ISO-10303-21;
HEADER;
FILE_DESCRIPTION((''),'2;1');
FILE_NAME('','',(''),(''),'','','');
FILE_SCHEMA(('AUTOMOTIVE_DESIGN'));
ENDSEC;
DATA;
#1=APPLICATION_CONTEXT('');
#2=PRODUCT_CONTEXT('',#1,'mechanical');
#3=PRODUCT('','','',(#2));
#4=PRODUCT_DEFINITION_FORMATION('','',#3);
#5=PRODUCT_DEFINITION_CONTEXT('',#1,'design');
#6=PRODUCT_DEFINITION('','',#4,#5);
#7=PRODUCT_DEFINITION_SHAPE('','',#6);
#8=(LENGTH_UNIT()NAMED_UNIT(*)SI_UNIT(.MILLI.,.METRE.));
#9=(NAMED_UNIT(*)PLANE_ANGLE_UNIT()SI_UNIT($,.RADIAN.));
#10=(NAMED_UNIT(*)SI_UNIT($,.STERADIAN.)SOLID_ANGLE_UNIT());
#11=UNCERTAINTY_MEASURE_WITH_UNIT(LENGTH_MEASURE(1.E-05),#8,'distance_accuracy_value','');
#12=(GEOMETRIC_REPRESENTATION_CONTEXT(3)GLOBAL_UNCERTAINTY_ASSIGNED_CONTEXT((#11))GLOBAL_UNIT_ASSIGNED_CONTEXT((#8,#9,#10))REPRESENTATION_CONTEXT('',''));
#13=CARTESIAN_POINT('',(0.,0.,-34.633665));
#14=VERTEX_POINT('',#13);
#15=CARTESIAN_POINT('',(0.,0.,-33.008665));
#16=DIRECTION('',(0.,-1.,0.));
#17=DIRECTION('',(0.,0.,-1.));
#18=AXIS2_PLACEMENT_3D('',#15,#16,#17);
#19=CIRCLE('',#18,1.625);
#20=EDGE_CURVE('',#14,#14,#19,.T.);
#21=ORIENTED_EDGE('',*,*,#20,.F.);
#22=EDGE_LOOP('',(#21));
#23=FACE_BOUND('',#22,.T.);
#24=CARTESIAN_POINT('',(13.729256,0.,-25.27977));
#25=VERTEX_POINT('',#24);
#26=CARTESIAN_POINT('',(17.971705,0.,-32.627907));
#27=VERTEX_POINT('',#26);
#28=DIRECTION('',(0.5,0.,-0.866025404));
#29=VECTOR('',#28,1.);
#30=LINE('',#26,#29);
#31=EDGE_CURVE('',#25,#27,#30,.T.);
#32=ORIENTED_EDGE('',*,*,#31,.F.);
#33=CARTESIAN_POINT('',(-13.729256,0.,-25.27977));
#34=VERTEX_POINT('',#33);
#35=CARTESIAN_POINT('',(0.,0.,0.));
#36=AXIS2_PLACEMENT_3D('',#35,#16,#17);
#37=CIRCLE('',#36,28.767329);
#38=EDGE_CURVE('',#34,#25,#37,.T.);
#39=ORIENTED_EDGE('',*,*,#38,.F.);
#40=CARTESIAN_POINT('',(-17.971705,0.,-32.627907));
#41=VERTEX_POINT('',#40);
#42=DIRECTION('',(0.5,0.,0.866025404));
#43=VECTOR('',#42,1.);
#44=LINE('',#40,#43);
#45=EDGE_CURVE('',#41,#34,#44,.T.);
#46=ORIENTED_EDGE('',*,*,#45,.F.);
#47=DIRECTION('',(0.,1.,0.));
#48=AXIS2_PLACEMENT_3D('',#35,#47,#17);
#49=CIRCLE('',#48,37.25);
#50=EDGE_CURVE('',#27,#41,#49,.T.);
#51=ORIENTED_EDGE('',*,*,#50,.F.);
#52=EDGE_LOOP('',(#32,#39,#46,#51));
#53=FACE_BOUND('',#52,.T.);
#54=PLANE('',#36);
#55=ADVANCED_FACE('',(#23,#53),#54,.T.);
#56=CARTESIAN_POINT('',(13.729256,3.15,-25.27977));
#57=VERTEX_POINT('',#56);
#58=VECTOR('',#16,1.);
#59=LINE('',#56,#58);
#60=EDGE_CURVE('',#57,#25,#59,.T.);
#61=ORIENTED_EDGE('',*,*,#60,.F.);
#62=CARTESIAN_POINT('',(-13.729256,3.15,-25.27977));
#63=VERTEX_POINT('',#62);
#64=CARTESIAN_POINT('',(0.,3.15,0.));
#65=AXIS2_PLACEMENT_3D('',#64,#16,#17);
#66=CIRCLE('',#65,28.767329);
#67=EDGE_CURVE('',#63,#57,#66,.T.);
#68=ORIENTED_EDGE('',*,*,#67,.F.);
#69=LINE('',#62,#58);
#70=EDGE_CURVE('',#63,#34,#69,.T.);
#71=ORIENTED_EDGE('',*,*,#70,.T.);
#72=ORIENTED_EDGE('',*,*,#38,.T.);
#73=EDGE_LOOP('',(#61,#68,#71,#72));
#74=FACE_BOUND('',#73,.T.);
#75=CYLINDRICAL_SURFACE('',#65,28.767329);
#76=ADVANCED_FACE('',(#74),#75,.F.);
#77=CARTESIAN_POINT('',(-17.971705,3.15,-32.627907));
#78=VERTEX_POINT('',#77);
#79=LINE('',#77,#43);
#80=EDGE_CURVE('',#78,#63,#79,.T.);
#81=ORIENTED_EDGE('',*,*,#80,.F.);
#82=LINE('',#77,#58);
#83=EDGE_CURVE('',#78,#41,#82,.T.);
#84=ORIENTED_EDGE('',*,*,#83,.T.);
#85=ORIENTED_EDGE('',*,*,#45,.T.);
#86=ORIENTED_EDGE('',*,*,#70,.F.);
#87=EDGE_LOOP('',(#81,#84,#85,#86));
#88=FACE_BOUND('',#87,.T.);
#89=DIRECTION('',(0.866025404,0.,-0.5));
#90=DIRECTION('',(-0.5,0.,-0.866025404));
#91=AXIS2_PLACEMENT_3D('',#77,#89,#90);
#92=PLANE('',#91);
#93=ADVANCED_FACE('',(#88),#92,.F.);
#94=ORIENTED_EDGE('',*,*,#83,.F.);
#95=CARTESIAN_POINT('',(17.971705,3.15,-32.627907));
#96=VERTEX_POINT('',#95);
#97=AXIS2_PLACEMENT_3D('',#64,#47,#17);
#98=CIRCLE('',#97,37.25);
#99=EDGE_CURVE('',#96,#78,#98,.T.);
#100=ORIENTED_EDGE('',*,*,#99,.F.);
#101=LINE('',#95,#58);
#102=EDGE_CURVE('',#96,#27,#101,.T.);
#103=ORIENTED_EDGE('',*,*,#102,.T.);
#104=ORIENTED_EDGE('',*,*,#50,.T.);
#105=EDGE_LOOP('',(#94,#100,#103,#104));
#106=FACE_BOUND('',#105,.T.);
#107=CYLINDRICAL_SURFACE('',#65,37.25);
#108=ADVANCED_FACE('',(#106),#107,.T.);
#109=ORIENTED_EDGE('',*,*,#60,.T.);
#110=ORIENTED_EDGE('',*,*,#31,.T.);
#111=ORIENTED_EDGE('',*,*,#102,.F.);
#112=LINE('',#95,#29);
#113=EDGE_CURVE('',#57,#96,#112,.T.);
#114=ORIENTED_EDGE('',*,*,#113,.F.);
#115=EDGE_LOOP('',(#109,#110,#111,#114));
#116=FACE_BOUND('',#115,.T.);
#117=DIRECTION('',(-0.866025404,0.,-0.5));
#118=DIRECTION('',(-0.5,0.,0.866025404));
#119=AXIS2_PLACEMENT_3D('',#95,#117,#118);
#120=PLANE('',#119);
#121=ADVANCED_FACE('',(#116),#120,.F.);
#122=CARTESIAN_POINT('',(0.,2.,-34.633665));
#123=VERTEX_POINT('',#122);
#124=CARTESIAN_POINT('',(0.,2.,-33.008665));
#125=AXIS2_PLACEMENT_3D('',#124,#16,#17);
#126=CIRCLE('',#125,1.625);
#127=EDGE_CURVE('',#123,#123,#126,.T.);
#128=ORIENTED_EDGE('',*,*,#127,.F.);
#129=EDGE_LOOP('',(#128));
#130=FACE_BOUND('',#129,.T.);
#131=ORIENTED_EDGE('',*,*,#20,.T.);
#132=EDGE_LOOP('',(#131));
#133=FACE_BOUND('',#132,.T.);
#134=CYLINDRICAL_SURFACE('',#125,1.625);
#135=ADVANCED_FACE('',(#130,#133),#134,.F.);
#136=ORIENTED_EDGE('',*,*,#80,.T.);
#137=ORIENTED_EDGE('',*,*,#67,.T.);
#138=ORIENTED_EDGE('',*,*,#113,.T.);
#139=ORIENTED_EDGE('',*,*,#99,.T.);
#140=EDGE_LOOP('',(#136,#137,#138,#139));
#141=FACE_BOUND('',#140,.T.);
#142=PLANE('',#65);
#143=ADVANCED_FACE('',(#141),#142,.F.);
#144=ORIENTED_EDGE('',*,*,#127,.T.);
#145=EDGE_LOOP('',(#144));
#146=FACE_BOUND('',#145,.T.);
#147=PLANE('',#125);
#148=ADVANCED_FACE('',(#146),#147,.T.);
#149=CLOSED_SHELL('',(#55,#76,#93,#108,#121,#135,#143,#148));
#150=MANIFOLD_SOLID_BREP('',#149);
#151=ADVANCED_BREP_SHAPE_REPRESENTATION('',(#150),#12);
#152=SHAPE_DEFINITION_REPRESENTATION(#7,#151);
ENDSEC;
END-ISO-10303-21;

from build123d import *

# Parameters (mm, degrees)
BOSS_EXTRUDE1_DEPTH = 3.15
SKETCH2_R           = 1.625
CUT_EXTRUDE1_DEPTH  = 2


with BuildPart() as part:
    # Sketch1 → Boss-Extrude1 (new body)
    with BuildSketch(Plane(origin=(0, 0, 0), x_dir=(1, 0, 0), z_dir=(0, 1, 0))):
        with BuildLine():
            Line((-17.971705397, 32.627906846), (-13.729256498, 25.279769804))
            ThreePointArc((-13.729256498, 25.279769804), (0, 28.767329478), (13.729256498, 25.279769804))
            Line((13.729256498, 25.279769804), (17.971705397, 32.627906846))
            ThreePointArc((17.971705397, 32.627906846), (0, 37.25), (-17.971705397, 32.627906846))
        make_face()
    extrude(amount=BOSS_EXTRUDE1_DEPTH)

    # Sketch2 → Cut-Extrude1 (cut)
    with BuildSketch(Plane.XZ):
        with Locations(Location((0, -33.008664739, 0), (0, 0, 270))):
            Circle(SKETCH2_R)
    extrude(amount=-CUT_EXTRUDE1_DEPTH, mode=Mode.SUBTRACT)


solid = part.part
